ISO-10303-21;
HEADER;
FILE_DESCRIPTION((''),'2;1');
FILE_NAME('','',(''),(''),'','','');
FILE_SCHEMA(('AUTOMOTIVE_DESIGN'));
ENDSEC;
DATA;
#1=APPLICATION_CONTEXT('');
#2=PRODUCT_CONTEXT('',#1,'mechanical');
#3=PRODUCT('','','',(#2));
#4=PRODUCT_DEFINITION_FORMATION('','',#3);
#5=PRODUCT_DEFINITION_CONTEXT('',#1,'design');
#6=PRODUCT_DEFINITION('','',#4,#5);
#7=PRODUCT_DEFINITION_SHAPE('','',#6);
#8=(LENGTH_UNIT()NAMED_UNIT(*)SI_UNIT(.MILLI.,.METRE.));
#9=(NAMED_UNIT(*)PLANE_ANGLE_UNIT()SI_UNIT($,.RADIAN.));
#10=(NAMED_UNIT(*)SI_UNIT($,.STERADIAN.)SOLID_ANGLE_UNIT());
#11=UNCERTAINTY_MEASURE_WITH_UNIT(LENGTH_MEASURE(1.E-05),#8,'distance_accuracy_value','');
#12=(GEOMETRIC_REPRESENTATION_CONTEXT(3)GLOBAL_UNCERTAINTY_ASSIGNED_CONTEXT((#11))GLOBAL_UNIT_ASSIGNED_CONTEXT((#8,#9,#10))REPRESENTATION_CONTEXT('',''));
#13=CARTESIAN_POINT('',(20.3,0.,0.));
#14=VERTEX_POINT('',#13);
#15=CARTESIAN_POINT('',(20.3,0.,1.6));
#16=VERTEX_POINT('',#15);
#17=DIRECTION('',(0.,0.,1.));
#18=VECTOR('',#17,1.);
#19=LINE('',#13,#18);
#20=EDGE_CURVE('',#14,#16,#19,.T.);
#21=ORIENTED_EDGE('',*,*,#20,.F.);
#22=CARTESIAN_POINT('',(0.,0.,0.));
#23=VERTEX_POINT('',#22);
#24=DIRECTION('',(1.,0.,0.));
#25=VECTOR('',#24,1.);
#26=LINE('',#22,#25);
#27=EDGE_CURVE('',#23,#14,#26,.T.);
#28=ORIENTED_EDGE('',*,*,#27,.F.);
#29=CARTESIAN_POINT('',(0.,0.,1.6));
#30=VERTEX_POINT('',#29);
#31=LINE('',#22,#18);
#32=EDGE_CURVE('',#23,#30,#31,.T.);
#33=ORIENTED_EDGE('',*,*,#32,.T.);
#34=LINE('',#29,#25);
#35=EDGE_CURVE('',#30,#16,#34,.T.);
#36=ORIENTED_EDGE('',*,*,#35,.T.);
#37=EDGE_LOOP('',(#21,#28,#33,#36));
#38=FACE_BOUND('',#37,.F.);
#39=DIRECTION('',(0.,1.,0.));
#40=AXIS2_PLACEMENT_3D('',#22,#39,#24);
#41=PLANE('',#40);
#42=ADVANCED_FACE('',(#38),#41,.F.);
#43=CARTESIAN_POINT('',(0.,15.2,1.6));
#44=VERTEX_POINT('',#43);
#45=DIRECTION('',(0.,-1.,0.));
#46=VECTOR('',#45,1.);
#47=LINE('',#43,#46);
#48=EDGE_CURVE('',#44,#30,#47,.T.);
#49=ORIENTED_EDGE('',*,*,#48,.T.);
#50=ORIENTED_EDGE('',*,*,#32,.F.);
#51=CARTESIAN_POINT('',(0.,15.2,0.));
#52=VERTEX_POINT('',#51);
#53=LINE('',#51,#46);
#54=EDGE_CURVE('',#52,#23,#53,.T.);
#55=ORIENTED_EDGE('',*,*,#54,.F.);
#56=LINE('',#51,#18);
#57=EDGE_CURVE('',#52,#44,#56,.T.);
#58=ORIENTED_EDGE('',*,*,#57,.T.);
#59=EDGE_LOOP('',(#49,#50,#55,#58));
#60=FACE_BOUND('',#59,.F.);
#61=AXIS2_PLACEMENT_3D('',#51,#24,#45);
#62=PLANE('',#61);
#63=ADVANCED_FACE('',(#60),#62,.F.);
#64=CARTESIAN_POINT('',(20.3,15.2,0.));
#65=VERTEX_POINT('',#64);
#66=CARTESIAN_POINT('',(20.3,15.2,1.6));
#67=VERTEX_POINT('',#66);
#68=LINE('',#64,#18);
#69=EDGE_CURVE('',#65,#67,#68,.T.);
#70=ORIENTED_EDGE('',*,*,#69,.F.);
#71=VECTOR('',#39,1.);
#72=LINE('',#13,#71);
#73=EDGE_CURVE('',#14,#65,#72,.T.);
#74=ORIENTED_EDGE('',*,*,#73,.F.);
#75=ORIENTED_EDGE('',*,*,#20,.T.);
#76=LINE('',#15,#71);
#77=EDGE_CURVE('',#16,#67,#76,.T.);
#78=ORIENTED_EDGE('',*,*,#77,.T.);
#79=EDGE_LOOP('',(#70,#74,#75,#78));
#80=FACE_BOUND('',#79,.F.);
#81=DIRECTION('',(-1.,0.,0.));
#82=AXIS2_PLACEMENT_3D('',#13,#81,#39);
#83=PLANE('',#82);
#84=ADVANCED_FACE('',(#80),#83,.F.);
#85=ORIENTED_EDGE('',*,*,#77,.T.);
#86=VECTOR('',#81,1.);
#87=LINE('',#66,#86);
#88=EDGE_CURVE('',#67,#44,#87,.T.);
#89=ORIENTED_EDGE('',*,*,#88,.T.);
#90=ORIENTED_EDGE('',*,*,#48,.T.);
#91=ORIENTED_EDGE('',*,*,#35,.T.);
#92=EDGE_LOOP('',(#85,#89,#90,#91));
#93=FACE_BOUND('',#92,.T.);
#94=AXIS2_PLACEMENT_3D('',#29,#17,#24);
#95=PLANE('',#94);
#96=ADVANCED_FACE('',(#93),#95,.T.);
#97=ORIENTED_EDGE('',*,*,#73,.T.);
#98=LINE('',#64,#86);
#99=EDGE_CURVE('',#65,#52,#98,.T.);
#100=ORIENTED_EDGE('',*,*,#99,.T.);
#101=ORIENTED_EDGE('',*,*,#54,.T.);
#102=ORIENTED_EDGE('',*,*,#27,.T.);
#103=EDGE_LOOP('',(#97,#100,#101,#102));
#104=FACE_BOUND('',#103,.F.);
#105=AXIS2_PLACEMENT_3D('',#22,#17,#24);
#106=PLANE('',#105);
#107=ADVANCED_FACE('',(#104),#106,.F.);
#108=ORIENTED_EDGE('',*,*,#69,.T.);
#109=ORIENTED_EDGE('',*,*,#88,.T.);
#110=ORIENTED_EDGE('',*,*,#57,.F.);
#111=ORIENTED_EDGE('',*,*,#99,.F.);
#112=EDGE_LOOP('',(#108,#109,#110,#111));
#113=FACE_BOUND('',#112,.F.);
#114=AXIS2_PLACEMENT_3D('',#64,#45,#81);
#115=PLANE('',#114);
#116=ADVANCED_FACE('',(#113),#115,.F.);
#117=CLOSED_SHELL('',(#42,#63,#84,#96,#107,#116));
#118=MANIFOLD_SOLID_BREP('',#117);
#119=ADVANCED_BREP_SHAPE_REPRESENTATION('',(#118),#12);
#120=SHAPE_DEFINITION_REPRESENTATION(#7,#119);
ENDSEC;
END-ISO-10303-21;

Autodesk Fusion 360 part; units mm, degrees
sketch "Szkic1" plane through (0, 0, 0) normal (0, 0, 1) x (1, 0, 0)
  line L0 (0, 0) -> (20.3, 0)
  line L1 (20.3, 0) -> (20.3, 15.2)
  line L2 (20.3, 15.2) -> (0, 15.2)
  line L3 (0, 15.2) -> (0, 0)
  dimension "d1" = 20.3
  dimension "d2" = 15.2
extrude "Wyciągnięcie proste1" add sketch "Szkic1" along normal blind 1.6 makes body 1
copy_body "Bryła->Komponent1" bodies 1 removing the originals makes body 2 in component "Component"
component "Component" placed x (1, 0, 0) y (0, 1, 0) z (0, 0, 1) at (0, 0, 0)
